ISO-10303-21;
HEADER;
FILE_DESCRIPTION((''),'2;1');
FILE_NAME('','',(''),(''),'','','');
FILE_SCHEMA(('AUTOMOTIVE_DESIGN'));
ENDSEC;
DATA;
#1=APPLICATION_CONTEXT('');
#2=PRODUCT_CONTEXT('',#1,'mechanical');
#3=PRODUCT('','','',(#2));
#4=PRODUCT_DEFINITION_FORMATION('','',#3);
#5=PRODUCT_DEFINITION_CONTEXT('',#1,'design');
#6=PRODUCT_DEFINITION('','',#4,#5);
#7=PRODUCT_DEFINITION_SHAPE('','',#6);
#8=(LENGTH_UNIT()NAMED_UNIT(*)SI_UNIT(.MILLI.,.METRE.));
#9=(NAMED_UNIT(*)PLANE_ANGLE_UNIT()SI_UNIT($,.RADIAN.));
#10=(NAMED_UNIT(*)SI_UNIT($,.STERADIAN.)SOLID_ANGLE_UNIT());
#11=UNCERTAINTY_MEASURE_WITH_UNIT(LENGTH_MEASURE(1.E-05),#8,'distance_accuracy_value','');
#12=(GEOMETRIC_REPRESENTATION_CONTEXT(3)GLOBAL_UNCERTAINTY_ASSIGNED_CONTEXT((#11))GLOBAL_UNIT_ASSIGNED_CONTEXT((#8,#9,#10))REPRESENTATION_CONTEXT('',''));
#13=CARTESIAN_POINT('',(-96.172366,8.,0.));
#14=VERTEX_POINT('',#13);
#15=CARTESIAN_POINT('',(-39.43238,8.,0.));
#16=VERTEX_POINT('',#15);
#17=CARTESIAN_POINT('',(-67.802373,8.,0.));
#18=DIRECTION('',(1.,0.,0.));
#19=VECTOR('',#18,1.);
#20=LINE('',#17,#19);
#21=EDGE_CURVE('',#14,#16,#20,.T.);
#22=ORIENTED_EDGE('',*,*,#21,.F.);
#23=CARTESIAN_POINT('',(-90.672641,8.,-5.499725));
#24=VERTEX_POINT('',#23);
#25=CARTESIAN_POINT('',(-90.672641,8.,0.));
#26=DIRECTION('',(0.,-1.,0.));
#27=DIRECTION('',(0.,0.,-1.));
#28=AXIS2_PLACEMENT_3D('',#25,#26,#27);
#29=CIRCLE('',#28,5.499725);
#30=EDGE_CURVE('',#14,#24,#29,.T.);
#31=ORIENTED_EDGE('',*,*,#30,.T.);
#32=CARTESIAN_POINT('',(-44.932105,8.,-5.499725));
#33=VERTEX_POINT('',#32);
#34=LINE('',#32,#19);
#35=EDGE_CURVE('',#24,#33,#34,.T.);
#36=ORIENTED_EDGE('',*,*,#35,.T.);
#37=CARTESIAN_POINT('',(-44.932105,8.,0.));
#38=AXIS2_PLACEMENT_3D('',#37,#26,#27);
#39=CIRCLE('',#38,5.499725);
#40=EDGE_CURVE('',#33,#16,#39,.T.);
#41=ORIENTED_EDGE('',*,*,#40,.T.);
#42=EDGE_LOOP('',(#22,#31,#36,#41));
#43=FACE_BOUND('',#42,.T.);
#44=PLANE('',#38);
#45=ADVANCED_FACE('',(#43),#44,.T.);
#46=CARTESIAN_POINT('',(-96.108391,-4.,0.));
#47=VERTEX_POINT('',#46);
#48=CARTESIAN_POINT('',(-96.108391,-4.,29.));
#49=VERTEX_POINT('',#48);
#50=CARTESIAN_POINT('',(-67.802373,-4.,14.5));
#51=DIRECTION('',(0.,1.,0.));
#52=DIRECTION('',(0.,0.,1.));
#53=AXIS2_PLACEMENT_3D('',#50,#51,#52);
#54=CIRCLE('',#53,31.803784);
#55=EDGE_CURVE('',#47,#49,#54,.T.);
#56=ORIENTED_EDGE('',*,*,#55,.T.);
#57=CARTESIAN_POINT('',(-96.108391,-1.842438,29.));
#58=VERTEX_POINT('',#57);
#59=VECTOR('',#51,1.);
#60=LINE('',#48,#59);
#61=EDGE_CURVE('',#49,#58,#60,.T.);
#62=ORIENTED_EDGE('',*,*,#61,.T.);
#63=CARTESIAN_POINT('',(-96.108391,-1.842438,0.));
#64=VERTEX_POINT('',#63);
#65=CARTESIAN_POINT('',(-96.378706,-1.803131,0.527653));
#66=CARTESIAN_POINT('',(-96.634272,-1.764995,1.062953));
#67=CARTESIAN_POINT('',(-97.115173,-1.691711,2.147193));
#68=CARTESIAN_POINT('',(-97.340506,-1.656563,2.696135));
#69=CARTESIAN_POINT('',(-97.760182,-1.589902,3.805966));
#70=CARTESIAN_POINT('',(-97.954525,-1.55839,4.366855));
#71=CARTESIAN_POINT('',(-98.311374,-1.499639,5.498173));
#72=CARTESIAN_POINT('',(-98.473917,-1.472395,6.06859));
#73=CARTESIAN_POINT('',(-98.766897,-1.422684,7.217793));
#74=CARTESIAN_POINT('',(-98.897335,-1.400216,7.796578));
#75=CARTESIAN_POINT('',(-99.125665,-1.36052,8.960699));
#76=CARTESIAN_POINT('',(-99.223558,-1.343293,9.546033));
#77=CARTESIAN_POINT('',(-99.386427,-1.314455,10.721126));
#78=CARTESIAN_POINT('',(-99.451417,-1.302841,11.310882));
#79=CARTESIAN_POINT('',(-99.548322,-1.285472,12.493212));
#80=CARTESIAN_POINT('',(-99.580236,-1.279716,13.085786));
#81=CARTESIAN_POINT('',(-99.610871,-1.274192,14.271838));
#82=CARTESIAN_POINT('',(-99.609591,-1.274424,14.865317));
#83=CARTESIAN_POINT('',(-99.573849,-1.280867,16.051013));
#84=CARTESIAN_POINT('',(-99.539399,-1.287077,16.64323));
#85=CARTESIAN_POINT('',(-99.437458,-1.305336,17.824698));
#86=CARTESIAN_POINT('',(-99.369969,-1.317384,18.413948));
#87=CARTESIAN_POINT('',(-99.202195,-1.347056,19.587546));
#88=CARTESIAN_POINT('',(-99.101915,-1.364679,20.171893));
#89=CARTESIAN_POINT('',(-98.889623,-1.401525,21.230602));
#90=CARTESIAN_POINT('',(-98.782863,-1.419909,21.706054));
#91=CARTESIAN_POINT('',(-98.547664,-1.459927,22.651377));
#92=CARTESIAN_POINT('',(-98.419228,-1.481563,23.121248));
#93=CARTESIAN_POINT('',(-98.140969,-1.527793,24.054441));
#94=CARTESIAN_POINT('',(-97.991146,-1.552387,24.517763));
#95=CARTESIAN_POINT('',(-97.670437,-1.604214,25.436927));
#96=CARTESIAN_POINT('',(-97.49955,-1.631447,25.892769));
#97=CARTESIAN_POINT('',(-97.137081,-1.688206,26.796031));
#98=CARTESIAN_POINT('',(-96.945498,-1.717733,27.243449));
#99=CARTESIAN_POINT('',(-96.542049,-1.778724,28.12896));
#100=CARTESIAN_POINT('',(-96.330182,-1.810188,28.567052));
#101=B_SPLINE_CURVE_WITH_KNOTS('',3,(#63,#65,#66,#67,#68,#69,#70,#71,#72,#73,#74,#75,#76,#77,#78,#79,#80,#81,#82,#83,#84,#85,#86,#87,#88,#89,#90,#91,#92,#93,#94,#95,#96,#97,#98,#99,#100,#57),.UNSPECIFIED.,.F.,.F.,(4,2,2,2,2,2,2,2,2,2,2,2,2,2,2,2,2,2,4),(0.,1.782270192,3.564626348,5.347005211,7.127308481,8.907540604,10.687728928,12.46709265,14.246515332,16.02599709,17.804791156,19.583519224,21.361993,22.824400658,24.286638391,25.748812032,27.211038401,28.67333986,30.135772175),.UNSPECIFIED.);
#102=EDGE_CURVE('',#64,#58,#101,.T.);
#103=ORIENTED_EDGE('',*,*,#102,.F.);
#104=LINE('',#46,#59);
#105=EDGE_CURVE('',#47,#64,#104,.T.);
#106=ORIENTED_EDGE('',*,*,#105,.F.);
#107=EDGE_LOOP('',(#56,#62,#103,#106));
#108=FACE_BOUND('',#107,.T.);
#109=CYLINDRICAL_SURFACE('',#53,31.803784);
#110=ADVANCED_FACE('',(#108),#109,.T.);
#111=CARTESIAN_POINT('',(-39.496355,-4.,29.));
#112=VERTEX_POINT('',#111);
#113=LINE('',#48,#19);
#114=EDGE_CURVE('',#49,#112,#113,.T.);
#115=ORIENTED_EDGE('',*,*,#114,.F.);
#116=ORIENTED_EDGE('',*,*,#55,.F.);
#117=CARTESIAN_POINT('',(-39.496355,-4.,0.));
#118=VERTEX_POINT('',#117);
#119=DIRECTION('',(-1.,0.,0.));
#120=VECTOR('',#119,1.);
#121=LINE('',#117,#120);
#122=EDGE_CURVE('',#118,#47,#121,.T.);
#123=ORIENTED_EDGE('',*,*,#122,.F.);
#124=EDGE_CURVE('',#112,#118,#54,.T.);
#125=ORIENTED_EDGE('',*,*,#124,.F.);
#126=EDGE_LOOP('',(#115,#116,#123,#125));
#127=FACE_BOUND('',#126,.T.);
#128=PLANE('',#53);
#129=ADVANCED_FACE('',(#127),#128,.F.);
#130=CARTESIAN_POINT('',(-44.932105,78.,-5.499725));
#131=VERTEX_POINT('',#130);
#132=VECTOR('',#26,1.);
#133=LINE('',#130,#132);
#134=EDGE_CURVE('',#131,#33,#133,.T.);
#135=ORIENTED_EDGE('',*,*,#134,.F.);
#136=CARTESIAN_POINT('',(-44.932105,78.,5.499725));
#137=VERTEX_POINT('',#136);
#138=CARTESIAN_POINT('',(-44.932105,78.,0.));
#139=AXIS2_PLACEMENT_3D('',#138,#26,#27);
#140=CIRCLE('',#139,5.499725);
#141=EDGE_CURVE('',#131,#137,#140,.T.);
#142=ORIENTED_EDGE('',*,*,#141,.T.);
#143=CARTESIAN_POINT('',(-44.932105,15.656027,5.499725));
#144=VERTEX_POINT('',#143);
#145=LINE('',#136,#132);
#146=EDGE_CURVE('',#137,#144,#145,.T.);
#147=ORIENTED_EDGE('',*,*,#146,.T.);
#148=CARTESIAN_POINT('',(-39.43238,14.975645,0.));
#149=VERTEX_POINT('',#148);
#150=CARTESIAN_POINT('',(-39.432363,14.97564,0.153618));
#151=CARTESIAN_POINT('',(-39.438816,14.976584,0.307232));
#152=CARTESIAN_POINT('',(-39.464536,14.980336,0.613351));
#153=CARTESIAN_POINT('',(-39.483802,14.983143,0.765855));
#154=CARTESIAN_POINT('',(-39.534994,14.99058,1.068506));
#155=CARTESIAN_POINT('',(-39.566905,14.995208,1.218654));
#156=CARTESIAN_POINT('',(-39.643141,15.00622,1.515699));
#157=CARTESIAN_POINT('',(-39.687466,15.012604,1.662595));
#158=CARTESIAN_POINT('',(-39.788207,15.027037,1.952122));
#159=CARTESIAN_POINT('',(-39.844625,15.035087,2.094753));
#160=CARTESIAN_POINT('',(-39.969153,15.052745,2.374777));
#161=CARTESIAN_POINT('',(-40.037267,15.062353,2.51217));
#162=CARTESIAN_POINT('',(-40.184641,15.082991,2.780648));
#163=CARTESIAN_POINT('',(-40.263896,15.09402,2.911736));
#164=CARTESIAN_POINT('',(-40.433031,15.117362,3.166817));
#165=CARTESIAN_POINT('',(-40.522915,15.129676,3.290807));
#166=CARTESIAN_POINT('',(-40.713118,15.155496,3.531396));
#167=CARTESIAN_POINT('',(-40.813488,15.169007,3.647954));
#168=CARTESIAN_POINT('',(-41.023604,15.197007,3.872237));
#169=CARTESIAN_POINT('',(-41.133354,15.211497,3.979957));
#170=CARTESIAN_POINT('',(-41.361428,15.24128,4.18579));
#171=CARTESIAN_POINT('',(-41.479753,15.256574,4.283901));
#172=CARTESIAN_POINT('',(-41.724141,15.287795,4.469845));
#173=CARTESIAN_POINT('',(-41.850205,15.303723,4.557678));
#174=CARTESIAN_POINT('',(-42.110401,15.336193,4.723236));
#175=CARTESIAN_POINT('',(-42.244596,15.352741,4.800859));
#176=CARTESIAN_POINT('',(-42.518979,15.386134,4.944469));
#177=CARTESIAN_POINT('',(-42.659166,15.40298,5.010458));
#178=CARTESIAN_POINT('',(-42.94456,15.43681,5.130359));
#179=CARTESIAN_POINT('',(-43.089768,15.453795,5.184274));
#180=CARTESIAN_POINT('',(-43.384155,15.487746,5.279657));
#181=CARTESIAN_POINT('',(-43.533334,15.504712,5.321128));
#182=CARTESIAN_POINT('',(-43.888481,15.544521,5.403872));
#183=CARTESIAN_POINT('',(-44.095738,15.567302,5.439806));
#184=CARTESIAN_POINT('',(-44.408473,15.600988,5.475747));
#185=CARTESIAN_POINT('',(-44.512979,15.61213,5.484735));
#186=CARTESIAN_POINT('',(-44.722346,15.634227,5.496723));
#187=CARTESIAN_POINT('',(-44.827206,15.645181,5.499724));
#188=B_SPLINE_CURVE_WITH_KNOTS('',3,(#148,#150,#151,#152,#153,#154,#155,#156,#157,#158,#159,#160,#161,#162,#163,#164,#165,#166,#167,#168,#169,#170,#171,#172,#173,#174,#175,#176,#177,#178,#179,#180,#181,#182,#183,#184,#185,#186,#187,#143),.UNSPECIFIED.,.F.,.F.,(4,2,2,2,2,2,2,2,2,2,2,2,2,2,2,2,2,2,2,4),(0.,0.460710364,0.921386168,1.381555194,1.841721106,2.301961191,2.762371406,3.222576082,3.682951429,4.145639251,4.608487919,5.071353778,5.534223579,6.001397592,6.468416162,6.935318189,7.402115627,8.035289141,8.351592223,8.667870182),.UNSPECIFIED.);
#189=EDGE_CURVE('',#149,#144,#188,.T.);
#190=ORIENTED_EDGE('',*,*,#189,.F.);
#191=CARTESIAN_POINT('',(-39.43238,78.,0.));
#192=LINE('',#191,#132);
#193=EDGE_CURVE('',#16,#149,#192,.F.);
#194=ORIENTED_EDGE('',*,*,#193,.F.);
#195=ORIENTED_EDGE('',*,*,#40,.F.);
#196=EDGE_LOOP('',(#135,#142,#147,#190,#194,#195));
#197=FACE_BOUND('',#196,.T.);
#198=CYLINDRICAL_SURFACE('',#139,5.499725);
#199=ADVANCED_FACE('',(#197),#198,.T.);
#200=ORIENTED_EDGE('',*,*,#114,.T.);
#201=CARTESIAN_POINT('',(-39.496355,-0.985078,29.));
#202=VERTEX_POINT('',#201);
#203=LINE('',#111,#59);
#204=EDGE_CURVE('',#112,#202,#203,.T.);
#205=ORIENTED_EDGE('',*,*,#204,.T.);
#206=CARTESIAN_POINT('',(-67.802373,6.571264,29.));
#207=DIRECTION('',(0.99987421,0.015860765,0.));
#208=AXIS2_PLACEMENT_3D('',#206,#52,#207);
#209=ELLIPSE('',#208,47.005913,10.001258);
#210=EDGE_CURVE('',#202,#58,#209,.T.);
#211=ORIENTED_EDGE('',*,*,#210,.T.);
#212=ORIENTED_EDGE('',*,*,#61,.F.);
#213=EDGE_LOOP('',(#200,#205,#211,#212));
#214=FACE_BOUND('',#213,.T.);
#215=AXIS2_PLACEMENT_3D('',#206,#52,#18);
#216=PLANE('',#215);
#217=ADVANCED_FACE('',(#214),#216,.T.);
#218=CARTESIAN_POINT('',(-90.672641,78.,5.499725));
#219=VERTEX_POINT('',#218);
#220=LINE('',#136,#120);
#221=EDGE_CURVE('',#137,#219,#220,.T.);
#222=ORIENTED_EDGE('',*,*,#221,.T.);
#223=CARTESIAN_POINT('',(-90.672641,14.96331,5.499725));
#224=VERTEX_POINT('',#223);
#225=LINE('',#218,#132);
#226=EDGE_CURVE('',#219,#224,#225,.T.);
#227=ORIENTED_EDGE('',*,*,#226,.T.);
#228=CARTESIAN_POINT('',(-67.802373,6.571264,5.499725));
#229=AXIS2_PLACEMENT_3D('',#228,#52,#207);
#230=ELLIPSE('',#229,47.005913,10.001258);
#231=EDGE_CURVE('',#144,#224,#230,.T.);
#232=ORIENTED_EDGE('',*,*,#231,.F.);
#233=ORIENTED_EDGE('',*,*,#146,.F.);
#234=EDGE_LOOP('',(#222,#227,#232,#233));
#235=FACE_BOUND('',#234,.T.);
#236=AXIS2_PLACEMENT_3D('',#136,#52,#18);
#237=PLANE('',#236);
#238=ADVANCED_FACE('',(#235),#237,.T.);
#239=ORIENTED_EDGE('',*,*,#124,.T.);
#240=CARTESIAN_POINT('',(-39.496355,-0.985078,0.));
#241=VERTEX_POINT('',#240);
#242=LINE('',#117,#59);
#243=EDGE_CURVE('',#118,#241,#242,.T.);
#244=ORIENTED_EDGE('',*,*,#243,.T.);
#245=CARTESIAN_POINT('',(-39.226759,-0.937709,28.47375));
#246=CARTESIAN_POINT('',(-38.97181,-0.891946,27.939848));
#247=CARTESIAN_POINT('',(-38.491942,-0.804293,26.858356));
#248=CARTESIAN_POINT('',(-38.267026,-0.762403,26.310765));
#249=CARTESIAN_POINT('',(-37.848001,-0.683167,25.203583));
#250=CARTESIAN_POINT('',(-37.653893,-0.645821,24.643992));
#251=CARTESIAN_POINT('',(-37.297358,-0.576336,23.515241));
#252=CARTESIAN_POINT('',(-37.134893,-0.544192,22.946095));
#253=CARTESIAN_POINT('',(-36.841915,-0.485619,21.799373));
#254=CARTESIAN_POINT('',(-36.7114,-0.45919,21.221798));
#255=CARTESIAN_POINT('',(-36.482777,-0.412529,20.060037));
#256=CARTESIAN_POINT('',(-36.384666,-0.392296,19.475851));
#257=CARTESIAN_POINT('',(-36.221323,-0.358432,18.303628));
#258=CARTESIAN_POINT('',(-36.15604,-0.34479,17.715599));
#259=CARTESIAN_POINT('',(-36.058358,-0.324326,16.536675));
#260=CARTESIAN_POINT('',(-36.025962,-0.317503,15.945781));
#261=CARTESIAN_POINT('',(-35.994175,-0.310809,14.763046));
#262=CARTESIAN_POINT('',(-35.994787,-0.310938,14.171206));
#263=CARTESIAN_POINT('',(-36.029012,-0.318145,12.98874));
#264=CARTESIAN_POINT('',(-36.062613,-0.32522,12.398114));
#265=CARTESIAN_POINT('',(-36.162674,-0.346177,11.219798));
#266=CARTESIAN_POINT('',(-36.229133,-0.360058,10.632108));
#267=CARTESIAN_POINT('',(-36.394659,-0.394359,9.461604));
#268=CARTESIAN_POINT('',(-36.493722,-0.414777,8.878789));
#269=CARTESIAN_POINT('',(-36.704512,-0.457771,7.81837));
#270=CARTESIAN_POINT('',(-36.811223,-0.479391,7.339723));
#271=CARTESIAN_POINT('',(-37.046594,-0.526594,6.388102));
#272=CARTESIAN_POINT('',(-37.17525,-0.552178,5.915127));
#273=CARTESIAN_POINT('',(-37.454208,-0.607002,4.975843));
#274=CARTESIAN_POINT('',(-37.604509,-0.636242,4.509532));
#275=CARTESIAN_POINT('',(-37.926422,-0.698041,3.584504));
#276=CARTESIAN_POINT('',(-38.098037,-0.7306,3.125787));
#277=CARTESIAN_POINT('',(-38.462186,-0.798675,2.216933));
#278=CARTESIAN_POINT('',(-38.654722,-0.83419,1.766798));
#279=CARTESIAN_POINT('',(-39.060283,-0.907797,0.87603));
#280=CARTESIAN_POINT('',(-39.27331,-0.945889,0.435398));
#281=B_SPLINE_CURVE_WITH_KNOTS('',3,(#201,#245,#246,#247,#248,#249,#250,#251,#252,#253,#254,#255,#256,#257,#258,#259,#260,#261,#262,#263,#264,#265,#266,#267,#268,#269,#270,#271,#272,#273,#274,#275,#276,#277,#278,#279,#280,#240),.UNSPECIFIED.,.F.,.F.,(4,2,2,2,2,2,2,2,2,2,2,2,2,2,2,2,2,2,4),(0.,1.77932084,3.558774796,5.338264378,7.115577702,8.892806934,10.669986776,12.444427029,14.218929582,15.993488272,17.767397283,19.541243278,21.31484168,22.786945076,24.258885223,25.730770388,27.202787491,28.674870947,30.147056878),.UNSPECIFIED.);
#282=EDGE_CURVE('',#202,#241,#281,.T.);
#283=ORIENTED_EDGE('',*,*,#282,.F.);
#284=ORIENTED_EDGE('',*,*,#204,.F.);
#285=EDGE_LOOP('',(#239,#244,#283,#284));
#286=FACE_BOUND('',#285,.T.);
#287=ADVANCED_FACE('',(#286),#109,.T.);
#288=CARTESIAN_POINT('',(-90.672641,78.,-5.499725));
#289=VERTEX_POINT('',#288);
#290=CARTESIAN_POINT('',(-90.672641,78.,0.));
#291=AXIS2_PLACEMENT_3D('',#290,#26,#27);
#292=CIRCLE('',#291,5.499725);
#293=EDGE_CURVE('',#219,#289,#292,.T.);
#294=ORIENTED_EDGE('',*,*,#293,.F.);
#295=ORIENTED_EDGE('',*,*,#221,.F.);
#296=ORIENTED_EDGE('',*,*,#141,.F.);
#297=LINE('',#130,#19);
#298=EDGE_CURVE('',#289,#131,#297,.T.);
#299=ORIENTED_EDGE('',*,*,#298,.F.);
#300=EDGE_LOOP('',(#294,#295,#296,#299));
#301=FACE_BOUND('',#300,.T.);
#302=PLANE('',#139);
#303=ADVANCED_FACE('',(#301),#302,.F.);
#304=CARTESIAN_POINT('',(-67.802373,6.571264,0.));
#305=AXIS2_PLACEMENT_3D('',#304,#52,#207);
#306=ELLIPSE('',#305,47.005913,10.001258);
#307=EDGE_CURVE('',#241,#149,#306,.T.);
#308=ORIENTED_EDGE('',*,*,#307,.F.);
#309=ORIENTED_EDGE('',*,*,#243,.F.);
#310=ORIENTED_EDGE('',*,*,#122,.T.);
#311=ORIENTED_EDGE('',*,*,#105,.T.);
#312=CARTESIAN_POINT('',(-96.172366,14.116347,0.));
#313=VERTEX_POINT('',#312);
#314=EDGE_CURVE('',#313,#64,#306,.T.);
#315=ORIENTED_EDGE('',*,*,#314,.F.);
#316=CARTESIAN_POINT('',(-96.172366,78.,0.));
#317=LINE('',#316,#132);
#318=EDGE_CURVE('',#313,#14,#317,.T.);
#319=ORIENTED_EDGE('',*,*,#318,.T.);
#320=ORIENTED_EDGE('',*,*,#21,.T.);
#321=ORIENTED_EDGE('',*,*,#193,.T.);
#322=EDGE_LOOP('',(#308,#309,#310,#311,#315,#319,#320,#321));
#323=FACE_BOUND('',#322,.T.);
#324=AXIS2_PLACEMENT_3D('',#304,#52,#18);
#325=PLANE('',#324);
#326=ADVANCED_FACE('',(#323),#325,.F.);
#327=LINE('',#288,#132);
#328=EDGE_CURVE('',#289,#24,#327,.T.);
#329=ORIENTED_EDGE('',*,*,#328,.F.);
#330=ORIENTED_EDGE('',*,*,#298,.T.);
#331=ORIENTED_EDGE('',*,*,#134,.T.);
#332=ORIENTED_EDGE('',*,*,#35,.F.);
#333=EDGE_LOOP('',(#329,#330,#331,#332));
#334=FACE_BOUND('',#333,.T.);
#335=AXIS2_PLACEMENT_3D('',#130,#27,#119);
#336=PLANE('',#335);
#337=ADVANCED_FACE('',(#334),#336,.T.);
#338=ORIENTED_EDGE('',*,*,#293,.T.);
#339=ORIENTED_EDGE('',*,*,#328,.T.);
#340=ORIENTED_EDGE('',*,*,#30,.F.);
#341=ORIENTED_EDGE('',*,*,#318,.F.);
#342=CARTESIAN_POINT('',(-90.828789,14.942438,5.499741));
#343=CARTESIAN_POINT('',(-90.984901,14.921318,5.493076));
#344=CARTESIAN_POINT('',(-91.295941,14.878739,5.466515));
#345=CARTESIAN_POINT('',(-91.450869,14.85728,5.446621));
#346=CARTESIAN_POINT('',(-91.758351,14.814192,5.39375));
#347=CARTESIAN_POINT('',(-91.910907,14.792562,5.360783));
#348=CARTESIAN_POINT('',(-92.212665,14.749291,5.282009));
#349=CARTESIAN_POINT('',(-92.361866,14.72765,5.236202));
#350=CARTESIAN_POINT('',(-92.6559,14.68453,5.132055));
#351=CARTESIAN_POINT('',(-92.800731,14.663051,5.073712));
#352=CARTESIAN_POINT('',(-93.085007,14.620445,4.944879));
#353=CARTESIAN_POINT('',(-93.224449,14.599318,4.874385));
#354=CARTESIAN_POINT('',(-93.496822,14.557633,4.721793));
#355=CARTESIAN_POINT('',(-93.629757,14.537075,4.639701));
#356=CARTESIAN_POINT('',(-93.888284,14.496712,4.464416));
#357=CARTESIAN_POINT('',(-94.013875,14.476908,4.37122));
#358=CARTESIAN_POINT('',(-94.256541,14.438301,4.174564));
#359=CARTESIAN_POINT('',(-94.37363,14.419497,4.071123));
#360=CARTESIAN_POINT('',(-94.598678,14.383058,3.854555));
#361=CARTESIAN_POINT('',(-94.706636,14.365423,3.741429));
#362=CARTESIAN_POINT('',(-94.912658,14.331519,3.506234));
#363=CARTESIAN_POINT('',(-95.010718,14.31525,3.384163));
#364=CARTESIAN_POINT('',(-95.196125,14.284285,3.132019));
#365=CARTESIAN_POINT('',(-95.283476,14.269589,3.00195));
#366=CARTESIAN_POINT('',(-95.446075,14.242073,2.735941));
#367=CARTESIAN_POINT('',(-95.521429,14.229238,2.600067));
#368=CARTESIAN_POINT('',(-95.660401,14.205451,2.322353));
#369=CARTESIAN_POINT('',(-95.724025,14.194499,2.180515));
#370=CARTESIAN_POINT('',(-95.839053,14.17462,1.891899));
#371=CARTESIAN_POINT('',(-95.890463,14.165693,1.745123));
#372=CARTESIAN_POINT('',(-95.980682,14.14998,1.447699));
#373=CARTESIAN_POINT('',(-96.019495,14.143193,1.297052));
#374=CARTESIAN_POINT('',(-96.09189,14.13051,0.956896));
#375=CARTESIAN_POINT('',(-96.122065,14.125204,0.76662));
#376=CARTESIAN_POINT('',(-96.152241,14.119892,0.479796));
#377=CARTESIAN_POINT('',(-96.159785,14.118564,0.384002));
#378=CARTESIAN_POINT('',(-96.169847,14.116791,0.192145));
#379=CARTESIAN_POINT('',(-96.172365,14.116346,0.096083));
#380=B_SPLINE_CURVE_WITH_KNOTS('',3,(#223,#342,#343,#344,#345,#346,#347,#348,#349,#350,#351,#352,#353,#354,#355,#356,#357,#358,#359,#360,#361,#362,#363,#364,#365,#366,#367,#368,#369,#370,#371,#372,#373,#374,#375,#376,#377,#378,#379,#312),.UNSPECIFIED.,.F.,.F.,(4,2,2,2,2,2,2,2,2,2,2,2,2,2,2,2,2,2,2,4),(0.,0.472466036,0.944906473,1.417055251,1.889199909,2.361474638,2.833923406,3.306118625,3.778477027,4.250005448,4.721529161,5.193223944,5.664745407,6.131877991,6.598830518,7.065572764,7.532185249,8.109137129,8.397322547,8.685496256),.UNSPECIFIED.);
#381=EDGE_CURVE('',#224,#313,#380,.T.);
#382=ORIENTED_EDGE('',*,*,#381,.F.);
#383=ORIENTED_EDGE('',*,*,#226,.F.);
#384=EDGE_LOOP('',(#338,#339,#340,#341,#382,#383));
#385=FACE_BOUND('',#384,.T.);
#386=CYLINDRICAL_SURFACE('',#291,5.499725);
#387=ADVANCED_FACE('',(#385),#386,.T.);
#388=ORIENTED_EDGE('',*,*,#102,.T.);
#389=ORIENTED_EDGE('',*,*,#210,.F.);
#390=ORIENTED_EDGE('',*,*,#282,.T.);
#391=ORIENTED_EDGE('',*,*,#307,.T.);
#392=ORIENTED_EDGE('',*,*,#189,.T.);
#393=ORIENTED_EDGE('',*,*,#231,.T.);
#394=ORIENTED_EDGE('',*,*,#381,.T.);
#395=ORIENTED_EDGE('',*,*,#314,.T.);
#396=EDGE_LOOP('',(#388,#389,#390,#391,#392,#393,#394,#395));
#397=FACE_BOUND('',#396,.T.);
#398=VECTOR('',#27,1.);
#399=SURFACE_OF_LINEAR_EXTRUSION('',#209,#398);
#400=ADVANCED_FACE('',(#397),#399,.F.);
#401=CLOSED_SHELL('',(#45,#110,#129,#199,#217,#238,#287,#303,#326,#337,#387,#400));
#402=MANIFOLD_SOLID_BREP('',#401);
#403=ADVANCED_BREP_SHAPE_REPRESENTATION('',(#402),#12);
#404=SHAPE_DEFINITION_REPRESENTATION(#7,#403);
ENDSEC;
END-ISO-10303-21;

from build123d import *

# Parameters (mm, degrees)
SKETCH2_RX          = 47.005912867
SKETCH2_RY          = 10.001258057
BOSS_EXTRUDE2_DEPTH = 29
BOSS_EXTRUDE3_DEPTH = 4
BOSS_EXTRUDE4_DEPTH = 70


with BuildPart() as part:
    # Sketch2 → Boss-Extrude2 (new body)
    with BuildSketch(Plane.XY):
        with Locations(Location((-67.802373164, 6.5712636), (0, 0, 0.908793004))):
            Ellipse(SKETCH2_RX, SKETCH2_RY)
    extrude(amount=BOSS_EXTRUDE2_DEPTH)

    # Sketch3 → Boss-Extrude3 (add)
    with BuildSketch(Plane(origin=(0, 0, 0), x_dir=(1, 0, 0), z_dir=(0, 1, 0))):
        with BuildLine():
            Line((-96.108391235, -29), (-39.496355092, -29))
            ThreePointArc((-39.496355092, -29), (-35.998589441, -14.5), (-39.496355092, 0))
            Line((-39.496355092, 0), (-96.108391235, 0))
            ThreePointArc((-96.108391235, 0), (-99.606156886, -14.5), (-96.108391235, -29))
        make_face()
    extrude(amount=-BOSS_EXTRUDE3_DEPTH)

    # Sketch5 → Boss-Extrude4 (add)
    with BuildSketch(Plane(origin=(0, 7.999999876, 0), x_dir=(-1, 0, 0), z_dir=(0, -1, 0))):
        with BuildLine():
            Line((44.932105476, 5.499725114), (90.672640852, 5.499725114))
            ThreePointArc((90.672640852, 5.499725114), (96.172365966, 0), (90.672640852, -5.499725114))
            Line((90.672640852, -5.499725114), (44.932105476, -5.499725114))
            ThreePointArc((44.932105476, -5.499725114), (39.432380362, 0), (44.932105476, 5.499725114))
        make_face()
    extrude(amount=-BOSS_EXTRUDE4_DEPTH)


solid = part.part
